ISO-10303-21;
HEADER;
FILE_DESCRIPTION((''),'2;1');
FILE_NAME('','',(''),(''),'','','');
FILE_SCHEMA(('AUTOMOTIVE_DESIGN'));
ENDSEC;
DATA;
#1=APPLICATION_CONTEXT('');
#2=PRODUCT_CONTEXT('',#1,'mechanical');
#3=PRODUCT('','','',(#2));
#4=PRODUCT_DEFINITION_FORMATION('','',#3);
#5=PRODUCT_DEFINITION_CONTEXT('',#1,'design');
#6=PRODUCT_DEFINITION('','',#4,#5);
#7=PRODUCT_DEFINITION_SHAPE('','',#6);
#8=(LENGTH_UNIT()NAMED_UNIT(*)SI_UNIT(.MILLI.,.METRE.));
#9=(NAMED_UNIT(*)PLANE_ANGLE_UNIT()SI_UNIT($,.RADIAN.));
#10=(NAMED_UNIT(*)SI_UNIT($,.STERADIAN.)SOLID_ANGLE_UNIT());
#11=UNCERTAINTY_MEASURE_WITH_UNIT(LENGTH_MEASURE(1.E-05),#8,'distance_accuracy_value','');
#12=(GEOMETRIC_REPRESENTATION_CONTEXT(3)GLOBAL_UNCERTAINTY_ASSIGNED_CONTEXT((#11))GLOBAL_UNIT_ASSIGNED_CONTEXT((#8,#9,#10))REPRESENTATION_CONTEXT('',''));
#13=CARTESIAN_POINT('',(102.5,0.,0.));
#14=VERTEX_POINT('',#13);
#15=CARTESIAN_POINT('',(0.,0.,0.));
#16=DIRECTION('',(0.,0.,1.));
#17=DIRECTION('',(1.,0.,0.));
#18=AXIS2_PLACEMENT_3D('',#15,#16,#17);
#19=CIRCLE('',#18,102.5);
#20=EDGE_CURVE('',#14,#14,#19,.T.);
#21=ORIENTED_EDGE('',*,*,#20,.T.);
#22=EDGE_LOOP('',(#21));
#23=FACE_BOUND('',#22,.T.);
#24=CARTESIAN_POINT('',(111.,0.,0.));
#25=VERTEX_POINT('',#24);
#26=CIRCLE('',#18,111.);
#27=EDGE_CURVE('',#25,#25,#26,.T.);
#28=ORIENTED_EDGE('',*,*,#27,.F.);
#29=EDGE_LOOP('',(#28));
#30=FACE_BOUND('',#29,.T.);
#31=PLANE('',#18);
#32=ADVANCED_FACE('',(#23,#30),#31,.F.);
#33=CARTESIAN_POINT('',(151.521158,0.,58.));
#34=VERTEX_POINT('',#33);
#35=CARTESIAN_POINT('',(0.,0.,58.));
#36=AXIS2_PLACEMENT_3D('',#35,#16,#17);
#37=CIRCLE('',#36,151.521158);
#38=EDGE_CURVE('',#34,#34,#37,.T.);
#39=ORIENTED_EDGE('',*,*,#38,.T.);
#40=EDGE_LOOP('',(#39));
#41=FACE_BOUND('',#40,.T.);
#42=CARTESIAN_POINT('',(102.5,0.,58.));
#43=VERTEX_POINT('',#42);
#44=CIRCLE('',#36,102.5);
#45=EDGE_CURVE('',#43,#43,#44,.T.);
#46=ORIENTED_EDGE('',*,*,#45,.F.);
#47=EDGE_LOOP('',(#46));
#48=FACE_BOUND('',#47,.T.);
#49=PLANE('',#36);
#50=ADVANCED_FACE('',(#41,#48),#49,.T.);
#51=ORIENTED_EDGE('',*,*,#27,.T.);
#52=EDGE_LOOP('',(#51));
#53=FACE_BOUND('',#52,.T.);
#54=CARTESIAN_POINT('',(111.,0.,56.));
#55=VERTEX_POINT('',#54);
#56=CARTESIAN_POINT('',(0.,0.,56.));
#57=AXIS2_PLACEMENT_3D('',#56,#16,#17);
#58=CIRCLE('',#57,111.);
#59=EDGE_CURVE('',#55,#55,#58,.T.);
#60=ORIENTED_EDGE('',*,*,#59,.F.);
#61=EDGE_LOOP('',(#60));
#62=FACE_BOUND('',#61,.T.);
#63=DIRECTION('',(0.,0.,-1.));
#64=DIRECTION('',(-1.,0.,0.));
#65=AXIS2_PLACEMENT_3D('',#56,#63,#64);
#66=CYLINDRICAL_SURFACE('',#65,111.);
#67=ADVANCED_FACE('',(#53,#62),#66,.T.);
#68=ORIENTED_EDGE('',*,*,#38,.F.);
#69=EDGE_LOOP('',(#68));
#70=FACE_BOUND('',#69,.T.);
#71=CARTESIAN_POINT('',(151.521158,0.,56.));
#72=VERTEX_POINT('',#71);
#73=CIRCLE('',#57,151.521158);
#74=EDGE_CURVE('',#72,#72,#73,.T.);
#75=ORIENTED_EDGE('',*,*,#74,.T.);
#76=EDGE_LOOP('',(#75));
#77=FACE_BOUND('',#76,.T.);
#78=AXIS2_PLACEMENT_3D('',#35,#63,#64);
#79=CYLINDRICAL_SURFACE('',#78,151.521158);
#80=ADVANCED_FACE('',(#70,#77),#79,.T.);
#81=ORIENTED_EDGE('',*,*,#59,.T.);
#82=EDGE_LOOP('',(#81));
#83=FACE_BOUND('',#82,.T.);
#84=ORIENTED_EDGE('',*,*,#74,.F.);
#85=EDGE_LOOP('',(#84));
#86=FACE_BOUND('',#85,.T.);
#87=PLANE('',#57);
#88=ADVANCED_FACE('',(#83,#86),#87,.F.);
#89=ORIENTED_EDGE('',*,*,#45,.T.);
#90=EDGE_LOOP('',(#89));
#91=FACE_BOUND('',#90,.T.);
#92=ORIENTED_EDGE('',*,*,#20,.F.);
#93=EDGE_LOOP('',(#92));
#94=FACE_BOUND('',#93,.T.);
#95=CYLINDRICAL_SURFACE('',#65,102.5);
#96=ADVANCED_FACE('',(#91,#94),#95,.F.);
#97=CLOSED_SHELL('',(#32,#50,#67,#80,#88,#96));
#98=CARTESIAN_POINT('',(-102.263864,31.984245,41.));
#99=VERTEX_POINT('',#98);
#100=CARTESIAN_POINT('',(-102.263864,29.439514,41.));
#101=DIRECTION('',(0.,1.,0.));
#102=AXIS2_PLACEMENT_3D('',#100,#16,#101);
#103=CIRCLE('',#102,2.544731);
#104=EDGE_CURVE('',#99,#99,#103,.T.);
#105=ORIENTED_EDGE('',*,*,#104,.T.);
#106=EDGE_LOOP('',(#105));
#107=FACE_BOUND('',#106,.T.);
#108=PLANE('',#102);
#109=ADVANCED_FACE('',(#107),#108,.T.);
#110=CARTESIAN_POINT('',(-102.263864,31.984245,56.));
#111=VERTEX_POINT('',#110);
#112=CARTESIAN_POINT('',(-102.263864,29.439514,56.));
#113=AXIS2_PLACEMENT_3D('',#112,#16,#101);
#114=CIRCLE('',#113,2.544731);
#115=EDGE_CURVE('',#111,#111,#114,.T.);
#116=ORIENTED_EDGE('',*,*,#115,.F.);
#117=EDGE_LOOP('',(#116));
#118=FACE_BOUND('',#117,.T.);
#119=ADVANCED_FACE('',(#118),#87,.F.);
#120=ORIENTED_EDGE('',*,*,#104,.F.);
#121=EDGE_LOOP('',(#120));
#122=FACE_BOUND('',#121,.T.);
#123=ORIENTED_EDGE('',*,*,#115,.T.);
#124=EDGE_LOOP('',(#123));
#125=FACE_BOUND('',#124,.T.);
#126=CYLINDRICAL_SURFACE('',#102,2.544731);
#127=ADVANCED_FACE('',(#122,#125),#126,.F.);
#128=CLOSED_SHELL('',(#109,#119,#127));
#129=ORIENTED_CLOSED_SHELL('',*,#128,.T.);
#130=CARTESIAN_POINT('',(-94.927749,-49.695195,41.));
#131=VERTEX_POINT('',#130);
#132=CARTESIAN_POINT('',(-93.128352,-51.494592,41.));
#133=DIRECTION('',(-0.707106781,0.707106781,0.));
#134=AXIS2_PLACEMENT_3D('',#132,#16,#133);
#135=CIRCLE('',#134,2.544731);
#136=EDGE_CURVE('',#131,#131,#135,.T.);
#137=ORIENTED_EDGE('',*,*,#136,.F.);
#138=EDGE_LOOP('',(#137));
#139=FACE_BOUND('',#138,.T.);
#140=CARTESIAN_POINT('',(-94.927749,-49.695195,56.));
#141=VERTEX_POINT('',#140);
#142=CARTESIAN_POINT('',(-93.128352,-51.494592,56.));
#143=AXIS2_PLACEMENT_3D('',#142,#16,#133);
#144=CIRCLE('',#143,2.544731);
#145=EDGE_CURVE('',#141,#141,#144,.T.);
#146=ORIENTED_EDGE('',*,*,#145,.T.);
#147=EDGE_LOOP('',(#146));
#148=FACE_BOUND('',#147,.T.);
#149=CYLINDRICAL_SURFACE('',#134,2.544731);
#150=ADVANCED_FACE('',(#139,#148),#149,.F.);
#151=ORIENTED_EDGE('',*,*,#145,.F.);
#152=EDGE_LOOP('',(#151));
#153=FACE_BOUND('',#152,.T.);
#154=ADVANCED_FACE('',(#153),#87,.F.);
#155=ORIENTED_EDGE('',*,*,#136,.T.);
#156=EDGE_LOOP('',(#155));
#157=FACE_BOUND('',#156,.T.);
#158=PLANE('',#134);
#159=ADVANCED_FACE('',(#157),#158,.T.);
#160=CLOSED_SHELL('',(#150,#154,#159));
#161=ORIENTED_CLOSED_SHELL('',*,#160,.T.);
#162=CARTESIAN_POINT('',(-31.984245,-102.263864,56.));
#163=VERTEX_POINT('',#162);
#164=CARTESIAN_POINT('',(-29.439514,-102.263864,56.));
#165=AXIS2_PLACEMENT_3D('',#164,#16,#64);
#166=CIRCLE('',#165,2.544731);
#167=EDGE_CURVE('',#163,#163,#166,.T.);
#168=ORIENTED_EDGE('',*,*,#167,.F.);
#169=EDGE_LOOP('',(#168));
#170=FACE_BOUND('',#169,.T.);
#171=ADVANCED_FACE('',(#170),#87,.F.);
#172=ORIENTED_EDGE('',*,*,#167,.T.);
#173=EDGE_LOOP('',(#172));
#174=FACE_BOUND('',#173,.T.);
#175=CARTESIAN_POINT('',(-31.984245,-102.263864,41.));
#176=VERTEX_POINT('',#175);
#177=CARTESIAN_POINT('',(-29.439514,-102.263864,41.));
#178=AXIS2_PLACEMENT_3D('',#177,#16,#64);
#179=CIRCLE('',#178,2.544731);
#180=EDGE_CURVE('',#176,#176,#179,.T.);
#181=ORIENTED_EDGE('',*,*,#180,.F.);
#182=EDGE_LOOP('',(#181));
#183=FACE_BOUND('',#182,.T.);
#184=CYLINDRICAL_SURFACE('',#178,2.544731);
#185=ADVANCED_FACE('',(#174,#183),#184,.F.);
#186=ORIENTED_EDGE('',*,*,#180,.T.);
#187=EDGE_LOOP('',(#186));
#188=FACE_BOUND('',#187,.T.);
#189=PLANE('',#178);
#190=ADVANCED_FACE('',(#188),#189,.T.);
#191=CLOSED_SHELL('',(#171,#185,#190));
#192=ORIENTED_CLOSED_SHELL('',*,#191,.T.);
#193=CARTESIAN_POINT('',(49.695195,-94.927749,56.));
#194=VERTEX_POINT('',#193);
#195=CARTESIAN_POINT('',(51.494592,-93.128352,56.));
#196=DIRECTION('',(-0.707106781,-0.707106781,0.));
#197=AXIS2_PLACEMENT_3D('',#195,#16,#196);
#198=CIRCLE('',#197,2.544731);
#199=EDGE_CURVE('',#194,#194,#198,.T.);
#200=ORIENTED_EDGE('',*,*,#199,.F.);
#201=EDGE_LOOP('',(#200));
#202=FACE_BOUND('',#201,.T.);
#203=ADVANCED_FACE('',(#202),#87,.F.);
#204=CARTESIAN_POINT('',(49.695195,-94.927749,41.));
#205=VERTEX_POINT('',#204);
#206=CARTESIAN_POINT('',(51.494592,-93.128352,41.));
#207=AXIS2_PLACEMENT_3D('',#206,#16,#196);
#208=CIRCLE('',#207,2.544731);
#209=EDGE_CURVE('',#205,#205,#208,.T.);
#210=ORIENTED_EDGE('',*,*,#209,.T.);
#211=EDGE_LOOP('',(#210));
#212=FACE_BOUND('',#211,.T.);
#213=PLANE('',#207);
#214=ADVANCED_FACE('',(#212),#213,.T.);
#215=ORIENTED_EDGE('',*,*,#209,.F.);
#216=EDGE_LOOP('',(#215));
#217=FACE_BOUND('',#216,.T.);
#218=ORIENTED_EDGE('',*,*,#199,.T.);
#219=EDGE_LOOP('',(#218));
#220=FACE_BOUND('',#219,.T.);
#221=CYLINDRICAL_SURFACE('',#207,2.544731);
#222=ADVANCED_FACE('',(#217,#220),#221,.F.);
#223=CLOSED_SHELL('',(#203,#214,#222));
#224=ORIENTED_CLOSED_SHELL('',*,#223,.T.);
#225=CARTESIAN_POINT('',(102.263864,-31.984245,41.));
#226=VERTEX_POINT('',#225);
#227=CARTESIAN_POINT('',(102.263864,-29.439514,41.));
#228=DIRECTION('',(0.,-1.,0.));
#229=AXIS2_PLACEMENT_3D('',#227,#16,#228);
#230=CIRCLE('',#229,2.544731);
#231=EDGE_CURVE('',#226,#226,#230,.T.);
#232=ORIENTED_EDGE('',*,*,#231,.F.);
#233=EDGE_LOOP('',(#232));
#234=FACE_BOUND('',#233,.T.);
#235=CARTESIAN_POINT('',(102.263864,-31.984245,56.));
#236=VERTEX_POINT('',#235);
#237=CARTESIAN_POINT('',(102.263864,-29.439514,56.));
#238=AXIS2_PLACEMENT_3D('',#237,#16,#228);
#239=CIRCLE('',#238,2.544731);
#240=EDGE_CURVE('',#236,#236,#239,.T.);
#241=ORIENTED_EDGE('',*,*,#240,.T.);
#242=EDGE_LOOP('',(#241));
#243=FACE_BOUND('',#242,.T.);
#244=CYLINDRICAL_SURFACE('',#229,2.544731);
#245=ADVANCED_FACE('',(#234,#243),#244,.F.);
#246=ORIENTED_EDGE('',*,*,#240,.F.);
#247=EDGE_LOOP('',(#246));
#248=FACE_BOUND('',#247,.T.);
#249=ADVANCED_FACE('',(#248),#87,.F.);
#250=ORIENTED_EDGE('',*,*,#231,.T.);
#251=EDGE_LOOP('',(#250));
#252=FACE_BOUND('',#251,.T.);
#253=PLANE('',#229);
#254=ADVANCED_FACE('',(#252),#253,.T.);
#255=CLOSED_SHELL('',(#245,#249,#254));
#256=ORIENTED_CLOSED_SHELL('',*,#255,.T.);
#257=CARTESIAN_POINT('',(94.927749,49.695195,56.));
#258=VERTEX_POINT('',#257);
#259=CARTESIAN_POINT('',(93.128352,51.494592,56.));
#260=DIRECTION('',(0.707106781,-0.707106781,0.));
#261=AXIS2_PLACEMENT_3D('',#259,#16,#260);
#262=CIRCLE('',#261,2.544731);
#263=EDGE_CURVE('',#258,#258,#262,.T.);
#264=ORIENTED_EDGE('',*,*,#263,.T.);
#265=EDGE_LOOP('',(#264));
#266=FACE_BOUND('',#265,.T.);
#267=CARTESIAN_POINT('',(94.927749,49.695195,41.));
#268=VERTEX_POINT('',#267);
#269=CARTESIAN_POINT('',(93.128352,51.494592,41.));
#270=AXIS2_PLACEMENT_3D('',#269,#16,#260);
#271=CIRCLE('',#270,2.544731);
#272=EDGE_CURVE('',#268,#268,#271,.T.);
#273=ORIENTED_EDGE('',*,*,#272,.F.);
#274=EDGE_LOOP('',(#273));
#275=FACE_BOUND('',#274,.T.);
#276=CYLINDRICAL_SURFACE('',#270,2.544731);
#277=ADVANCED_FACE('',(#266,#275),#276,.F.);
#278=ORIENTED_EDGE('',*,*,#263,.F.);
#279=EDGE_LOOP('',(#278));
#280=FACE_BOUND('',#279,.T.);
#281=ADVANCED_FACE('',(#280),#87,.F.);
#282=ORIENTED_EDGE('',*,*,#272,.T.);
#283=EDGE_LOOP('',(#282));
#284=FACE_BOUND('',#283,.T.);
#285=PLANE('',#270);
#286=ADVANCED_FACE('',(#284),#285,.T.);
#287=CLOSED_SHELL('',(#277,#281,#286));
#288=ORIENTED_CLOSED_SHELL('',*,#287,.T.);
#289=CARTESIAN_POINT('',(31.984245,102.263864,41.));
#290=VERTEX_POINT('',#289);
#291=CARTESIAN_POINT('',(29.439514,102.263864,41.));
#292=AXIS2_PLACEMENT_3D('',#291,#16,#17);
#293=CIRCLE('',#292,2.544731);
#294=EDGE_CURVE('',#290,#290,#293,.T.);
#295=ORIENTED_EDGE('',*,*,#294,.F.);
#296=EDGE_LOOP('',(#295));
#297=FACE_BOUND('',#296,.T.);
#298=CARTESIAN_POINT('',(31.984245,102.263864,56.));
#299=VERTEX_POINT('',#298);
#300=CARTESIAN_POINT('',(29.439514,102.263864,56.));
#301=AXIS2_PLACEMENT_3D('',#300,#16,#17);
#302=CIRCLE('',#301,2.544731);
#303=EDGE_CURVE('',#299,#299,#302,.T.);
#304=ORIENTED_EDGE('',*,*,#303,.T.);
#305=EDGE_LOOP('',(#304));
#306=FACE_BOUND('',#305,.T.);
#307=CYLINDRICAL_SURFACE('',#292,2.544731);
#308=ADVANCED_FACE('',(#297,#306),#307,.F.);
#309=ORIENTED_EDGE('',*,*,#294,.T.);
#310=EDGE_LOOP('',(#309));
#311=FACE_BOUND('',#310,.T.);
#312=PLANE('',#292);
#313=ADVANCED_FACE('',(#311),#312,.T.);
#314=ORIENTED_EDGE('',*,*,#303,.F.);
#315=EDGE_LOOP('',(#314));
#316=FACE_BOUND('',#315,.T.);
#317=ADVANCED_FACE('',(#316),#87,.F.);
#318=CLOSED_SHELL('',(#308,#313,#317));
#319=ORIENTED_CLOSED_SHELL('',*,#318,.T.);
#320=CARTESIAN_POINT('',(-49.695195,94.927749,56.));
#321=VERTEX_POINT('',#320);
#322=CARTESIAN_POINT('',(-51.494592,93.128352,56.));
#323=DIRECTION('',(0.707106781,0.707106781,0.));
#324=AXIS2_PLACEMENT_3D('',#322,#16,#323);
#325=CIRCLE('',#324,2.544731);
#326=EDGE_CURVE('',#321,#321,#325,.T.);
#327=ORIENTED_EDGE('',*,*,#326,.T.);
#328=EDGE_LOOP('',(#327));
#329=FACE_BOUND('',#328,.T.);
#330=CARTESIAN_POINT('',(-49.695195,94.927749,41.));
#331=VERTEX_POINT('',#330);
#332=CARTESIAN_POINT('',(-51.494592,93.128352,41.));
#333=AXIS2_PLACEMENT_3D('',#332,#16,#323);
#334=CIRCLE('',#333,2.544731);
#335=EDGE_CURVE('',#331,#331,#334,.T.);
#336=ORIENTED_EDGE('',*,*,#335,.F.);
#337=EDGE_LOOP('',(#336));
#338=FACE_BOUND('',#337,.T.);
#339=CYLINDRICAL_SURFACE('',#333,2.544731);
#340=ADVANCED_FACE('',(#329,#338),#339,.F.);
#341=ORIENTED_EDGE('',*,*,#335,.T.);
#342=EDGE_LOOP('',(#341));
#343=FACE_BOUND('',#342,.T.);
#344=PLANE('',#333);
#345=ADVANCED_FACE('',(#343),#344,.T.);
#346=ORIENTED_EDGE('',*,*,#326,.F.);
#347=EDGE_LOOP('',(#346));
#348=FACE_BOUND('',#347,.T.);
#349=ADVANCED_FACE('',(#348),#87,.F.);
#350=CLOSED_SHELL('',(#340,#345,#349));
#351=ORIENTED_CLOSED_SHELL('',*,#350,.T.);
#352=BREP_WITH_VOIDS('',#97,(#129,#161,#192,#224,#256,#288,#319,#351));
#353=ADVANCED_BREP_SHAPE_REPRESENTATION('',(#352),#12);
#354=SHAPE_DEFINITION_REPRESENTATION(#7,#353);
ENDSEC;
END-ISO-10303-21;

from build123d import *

# Parameters (mm, degrees)
SKETCH1_R           = 111
SKETCH1_R_2         = 102.5
BOSS_EXTRUDE1_DEPTH = 56
SKETCH2_R           = 2.544731427
CUT_EXTRUDE1_DEPTH  = 15
CIRPATTERN1_COUNT   = 8
SKETCH3_R           = 151.521158387
SKETCH3_R_2         = 102.5
BOSS_EXTRUDE2_DEPTH = 2


with BuildPart() as part:
    # Sketch1 → Boss-Extrude1 (new body)
    with BuildSketch(Plane.XY):
        Circle(SKETCH1_R)
        Circle(SKETCH1_R_2, mode=Mode.SUBTRACT)
    extrude(amount=BOSS_EXTRUDE1_DEPTH)

    # Sketch2 → Cut-Extrude1 (cut)
    with BuildSketch(Plane.XY.offset(56)):
        with Locations((29.439514058, 102.263864137)):
            Circle(SKETCH2_R)
    cut_extrude1 = extrude(amount=-CUT_EXTRUDE1_DEPTH, mode=Mode.SUBTRACT)

    # CirPattern1: Cut-Extrude1 ×8 about axis
    cirpattern1_axis = Axis((0, 0, 0), (0, 0, 1))
    for i in range(1, CIRPATTERN1_COUNT):
        add(cut_extrude1.rotate(cirpattern1_axis, i * 360 / CIRPATTERN1_COUNT), mode=Mode.SUBTRACT)

    # Sketch3 → Boss-Extrude2 (add)
    with BuildSketch(Plane.XY.offset(56)):
        Circle(SKETCH3_R)
        Circle(SKETCH3_R_2, mode=Mode.SUBTRACT)
    extrude(amount=BOSS_EXTRUDE2_DEPTH)


solid = part.part
